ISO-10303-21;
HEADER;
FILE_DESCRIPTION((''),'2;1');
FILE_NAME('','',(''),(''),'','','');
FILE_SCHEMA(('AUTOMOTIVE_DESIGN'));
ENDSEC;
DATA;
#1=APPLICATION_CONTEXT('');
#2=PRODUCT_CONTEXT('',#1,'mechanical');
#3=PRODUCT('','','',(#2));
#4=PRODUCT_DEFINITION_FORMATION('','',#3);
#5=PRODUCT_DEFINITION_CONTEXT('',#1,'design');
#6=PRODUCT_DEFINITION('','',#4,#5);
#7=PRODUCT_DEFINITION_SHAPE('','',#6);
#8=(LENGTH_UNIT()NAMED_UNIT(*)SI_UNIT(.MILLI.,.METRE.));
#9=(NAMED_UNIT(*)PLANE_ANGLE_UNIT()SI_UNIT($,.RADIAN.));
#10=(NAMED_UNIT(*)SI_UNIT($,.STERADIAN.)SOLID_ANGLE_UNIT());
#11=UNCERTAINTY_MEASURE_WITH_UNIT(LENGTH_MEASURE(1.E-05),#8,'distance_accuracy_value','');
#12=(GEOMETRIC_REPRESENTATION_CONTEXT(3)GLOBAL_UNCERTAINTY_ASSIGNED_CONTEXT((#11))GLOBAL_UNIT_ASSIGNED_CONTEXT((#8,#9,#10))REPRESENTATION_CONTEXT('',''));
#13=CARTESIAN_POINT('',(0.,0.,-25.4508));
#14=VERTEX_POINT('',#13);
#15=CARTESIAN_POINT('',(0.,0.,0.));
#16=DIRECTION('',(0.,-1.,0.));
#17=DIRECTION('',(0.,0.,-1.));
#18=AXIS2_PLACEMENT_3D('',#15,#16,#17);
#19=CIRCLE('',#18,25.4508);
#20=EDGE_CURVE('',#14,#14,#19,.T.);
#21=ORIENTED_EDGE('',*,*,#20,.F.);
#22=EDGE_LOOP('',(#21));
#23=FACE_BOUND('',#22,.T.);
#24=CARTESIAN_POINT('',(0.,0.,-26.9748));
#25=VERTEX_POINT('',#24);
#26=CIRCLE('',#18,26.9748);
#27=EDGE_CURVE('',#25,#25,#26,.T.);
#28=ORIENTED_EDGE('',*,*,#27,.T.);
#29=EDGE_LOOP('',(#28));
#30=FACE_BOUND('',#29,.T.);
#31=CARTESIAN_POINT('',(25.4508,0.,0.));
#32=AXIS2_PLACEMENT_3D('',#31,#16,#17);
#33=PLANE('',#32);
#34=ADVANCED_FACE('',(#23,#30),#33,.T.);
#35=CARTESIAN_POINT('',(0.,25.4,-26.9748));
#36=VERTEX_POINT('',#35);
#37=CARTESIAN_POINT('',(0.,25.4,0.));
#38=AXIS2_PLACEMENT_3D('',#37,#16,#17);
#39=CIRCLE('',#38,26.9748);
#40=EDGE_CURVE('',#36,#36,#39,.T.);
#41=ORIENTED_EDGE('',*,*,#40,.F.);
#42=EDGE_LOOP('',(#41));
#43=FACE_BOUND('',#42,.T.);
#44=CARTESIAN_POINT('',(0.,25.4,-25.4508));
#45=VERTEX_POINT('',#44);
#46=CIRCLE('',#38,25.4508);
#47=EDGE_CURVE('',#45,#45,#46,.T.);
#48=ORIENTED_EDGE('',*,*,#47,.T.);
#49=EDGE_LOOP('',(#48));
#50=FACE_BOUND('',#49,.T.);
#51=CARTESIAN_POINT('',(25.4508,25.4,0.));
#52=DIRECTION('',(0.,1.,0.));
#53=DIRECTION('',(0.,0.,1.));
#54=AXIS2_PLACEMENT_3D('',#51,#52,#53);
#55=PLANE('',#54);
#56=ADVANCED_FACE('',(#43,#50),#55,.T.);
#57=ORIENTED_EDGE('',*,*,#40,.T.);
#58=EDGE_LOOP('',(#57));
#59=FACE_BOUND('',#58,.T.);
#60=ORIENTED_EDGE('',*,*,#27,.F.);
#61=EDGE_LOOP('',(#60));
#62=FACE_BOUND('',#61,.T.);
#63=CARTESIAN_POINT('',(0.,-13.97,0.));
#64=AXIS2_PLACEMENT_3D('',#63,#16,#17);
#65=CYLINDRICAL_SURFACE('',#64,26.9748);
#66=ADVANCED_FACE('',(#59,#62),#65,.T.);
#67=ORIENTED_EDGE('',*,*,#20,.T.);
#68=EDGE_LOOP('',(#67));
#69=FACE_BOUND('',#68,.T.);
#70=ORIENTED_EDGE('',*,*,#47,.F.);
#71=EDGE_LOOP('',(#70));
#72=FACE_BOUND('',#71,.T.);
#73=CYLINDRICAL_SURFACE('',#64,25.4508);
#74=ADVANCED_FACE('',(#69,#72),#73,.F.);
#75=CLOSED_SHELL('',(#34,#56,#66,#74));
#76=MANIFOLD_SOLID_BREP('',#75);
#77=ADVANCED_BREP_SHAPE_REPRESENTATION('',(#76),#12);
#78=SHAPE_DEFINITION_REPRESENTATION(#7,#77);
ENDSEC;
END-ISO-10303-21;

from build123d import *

# Parameters (mm, degrees)
SKETCH1_W = 1.524
SKETCH1_H = 25.4


with BuildPart() as part:
    # Sketch1 → Revolve1 (revolve)
    with BuildSketch(Plane.XY):
        with Locations((26.2128, 12.7)):
            Rectangle(SKETCH1_W, SKETCH1_H)
    revolve(axis=Axis((0, -13.97, 0), (0, 1, 0)))


solid = part.part
